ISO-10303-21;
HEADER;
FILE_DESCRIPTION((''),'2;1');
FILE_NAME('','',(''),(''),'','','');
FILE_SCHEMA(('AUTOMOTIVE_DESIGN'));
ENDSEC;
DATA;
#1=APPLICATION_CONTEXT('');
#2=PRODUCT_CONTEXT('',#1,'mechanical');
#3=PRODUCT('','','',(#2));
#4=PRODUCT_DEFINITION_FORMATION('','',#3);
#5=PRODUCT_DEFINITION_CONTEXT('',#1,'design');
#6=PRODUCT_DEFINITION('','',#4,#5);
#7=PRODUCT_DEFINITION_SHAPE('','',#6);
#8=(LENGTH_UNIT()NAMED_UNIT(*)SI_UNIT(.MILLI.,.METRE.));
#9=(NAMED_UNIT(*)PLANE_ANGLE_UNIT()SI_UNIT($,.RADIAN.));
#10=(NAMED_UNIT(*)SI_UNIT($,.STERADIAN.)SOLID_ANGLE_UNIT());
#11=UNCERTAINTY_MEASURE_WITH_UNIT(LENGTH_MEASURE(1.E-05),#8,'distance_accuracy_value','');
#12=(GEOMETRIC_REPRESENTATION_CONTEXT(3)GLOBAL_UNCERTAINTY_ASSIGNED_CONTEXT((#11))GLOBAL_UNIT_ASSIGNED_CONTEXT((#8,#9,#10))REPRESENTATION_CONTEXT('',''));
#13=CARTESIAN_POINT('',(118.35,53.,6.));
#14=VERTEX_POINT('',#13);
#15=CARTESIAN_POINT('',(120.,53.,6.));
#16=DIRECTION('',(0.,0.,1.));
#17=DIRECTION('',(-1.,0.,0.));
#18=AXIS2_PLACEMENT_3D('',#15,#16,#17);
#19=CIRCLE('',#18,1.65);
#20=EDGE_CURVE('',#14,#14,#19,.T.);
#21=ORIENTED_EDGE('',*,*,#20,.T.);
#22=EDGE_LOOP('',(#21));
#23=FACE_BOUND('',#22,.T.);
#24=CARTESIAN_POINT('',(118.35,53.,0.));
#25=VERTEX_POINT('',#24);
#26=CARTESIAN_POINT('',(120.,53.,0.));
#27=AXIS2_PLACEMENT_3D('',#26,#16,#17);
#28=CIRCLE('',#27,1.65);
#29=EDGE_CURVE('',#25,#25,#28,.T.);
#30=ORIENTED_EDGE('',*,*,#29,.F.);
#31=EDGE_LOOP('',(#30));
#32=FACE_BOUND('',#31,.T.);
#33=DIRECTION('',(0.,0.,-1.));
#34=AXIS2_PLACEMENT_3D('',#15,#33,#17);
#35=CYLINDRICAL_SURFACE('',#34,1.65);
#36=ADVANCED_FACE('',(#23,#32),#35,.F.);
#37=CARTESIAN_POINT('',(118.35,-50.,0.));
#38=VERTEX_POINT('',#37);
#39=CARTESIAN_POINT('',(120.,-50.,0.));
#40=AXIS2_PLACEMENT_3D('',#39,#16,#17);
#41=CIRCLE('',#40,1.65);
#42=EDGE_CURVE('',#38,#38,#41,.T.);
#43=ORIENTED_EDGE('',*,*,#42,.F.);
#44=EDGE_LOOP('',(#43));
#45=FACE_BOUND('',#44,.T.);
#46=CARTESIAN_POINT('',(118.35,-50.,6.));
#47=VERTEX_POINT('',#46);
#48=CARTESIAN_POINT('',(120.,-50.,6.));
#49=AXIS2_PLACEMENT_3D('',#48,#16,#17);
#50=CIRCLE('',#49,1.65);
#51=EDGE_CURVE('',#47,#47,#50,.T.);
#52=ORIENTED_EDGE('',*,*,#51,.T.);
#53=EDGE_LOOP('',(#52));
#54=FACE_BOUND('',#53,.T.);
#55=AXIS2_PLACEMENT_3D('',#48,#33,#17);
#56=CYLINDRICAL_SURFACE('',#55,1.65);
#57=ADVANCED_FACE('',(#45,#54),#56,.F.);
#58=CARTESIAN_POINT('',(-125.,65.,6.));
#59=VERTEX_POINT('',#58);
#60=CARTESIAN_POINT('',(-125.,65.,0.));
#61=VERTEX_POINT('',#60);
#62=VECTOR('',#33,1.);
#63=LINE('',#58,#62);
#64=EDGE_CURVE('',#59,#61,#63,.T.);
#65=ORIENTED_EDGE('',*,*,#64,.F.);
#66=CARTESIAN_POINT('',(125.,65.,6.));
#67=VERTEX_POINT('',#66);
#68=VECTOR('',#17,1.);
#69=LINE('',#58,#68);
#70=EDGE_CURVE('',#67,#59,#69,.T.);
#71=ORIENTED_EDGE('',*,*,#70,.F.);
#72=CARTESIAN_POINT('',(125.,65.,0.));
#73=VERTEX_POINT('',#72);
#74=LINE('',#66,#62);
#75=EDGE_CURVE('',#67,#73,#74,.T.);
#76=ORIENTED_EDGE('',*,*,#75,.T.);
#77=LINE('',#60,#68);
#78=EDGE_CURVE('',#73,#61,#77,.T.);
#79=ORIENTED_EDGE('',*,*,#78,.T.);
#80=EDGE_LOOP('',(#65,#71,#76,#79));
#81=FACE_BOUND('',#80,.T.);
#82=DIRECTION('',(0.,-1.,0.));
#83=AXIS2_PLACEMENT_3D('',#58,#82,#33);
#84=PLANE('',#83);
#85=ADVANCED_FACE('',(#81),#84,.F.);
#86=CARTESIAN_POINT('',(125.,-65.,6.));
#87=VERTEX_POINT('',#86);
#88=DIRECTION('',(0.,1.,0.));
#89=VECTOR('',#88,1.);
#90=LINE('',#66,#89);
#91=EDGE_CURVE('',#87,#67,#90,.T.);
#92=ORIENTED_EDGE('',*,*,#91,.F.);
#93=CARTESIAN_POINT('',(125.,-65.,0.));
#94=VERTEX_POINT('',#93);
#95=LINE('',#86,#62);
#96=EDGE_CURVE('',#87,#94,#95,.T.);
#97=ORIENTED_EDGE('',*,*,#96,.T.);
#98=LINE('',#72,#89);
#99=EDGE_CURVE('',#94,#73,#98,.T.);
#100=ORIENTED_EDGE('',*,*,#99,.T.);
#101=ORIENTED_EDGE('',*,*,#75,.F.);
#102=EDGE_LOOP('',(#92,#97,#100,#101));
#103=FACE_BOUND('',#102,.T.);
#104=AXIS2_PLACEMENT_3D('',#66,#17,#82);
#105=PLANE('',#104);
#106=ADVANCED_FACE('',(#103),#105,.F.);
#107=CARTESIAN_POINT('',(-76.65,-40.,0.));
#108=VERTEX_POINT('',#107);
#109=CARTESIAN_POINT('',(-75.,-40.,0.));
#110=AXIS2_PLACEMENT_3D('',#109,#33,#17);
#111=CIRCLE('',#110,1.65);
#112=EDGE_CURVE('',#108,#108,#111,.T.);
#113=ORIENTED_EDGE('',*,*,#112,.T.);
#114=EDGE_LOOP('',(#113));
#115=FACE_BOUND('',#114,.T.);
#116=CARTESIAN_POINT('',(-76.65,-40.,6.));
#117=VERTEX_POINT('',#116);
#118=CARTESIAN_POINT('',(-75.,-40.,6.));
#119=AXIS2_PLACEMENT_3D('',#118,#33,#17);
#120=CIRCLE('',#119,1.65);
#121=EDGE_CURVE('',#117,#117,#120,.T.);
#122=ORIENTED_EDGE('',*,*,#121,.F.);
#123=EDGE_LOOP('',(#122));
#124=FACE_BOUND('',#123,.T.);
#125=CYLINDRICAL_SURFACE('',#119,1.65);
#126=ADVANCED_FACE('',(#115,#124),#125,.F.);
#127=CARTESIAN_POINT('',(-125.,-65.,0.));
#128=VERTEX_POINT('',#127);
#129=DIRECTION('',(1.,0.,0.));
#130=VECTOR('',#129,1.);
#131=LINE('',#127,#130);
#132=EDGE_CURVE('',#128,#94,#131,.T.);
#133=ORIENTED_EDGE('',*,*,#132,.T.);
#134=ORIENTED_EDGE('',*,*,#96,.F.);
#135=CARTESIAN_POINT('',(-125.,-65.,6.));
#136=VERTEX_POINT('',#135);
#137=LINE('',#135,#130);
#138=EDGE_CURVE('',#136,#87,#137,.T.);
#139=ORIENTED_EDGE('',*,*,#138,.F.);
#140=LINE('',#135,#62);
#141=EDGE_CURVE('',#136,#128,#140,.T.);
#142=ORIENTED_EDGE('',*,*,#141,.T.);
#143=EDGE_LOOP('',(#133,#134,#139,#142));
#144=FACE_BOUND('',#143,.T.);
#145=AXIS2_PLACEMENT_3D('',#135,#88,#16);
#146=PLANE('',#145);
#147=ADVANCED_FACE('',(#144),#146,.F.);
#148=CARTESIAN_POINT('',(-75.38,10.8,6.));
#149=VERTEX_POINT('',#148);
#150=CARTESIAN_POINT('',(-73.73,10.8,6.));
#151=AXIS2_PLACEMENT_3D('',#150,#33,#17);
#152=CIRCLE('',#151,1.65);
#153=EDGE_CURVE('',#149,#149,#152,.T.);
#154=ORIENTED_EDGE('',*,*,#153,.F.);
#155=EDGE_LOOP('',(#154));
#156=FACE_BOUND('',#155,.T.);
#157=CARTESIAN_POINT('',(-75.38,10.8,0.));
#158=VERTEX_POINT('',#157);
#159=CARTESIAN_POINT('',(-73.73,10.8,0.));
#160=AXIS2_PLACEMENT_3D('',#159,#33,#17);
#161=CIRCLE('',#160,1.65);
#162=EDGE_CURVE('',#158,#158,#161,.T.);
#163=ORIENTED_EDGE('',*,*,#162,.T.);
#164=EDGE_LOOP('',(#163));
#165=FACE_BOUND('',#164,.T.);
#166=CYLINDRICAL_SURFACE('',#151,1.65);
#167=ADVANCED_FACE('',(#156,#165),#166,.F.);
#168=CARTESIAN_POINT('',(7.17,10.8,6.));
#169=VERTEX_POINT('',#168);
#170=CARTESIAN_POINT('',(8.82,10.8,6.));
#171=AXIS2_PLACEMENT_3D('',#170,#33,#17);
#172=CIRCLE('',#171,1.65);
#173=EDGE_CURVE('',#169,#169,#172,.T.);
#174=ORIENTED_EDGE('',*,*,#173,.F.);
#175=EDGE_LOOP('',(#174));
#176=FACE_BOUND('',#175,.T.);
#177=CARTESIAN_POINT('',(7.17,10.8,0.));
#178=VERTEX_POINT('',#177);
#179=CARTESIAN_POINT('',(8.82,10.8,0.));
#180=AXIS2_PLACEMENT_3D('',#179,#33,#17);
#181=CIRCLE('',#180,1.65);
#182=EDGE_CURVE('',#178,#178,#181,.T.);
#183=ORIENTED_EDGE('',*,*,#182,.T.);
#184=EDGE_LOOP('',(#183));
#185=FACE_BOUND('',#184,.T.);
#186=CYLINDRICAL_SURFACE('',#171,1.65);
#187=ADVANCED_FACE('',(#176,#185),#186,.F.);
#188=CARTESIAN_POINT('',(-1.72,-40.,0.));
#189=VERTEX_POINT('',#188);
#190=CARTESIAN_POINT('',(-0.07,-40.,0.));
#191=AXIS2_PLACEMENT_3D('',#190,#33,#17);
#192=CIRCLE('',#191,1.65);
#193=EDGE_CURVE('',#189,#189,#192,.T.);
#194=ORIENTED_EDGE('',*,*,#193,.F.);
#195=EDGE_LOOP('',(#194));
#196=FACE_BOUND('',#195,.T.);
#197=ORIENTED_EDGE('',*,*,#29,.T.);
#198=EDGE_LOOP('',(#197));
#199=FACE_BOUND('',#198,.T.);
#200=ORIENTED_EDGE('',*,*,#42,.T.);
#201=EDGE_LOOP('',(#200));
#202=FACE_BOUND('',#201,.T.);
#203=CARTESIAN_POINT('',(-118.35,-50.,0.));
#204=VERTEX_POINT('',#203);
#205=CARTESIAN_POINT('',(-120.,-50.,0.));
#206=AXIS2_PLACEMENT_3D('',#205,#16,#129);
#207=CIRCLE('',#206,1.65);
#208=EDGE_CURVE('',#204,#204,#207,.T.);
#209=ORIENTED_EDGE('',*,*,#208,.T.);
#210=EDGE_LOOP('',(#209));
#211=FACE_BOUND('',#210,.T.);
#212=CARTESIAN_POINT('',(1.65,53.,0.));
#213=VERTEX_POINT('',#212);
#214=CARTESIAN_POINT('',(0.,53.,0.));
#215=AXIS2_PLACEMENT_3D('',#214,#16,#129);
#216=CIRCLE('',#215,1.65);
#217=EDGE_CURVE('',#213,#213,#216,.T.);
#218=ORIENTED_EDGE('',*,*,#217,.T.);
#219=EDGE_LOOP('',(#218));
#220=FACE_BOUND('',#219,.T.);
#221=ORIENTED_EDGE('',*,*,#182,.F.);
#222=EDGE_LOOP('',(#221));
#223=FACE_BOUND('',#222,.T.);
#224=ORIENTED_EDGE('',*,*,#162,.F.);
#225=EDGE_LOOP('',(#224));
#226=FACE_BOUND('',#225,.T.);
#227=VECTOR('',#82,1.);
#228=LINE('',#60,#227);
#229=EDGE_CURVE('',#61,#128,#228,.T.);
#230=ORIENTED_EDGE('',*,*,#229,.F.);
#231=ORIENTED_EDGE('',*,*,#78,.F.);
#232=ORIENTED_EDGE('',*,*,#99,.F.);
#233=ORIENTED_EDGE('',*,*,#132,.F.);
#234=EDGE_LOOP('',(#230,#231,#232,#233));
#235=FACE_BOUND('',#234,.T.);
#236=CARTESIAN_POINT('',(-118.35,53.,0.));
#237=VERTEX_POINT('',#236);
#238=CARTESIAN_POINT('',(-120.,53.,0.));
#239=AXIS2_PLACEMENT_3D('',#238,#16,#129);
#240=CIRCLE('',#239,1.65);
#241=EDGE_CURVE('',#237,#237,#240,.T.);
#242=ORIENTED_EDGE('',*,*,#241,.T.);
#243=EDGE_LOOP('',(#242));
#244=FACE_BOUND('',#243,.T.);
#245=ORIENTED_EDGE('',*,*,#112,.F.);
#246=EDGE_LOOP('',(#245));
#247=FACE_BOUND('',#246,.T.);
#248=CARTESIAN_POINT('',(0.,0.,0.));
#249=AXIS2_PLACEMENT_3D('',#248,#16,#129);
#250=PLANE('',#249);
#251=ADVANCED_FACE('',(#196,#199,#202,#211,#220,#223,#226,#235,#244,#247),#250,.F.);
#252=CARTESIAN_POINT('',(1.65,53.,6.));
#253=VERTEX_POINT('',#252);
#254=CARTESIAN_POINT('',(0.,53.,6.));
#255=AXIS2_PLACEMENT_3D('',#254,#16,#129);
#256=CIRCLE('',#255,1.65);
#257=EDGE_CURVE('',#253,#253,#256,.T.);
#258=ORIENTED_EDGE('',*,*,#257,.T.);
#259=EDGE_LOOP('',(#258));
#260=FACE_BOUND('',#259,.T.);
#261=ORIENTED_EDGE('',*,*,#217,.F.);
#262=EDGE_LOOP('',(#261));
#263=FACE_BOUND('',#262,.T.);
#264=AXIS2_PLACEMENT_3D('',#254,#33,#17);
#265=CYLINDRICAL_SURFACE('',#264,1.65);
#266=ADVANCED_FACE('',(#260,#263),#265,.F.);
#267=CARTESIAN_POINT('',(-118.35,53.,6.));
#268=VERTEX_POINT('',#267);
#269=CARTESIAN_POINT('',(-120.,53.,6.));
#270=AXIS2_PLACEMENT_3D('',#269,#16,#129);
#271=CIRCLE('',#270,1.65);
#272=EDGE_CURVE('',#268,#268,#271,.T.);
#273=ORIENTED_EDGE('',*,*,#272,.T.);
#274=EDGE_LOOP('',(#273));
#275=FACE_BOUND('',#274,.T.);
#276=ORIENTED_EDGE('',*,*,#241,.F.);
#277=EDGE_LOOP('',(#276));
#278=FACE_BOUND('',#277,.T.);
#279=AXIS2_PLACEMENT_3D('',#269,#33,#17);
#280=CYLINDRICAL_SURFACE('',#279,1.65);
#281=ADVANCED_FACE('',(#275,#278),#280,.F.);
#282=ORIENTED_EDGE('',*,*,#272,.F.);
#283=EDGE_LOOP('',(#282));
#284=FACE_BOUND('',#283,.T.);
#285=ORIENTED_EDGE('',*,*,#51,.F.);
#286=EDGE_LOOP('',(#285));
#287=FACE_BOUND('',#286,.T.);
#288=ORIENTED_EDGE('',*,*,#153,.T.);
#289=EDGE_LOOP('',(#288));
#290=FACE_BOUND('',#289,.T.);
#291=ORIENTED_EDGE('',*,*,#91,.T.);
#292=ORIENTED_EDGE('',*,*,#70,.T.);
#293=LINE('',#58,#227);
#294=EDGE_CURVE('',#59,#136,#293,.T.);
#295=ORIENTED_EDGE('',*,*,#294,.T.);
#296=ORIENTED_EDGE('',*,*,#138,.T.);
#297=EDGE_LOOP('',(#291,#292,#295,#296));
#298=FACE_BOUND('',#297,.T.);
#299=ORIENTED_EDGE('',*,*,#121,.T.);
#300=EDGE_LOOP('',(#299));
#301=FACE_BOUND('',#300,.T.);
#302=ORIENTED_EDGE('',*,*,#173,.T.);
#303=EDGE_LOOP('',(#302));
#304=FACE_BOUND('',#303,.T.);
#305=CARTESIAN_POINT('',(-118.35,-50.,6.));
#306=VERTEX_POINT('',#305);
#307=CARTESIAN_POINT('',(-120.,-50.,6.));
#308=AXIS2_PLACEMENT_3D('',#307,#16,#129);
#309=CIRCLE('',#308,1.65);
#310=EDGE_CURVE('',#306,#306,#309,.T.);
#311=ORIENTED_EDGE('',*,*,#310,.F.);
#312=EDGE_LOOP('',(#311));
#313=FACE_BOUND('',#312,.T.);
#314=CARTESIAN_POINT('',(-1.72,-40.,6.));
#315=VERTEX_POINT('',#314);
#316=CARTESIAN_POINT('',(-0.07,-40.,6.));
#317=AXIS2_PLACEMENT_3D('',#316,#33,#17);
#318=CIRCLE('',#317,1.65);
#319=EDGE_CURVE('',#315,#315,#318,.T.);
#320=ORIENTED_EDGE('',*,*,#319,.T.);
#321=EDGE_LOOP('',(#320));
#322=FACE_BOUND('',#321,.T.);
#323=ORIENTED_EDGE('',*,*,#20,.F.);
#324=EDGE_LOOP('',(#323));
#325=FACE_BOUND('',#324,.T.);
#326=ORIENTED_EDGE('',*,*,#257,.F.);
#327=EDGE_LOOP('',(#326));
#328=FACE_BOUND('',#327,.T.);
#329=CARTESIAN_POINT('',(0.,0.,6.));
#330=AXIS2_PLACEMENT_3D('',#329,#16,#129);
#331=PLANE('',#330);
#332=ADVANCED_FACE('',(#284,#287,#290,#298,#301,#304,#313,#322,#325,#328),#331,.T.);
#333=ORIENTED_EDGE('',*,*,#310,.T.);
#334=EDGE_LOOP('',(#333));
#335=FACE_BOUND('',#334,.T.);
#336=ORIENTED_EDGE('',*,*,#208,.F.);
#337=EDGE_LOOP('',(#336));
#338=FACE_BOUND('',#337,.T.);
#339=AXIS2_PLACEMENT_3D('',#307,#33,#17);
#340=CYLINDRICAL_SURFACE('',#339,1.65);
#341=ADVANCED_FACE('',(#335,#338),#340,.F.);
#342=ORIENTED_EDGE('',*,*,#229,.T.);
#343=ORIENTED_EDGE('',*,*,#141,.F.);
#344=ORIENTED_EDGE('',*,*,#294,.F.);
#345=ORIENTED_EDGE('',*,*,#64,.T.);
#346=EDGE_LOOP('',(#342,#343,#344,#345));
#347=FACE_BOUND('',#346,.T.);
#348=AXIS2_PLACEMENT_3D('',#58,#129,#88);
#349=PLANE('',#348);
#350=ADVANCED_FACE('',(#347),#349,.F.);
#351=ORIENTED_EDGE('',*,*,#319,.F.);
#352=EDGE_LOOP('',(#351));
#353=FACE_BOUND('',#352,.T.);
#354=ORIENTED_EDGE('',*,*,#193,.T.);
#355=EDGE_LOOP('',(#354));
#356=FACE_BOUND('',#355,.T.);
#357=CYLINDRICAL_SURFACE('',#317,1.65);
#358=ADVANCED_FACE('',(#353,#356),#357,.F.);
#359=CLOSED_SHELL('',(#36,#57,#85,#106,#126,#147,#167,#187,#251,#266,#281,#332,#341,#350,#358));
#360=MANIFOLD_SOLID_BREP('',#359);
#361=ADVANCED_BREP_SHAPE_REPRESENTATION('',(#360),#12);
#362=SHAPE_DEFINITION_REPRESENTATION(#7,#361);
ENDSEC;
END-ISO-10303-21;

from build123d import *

# Parameters (mm, degrees)
ESBO_O1_W                = 250
ESBO_O1_H                = 130
ESBO_O1_R                = 1.65
RESSALTO_EXTRUS_O1_DEPTH = 6
ESBO_O2_R                = 1.65
CORTE_EXTRUS_O1_DEPTH    = 6


with BuildPart() as part:
    # Esboço1 → Ressalto-extrusão1 (new body)
    with BuildSketch(Plane.XY):
        Rectangle(ESBO_O1_W, ESBO_O1_H)
        with Locations((-120, 53)):
            Circle(ESBO_O1_R, mode=Mode.SUBTRACT)
        with Locations((-120, -50)):
            Circle(ESBO_O1_R, mode=Mode.SUBTRACT)
        with Locations((0, 53)):
            Circle(ESBO_O1_R, mode=Mode.SUBTRACT)
        with Locations((120, -50)):
            Circle(ESBO_O1_R, mode=Mode.SUBTRACT)
        with Locations((120, 53)):
            Circle(ESBO_O1_R, mode=Mode.SUBTRACT)
    extrude(amount=RESSALTO_EXTRUS_O1_DEPTH)

    # Esboço2 → Corte-extrusão1 (cut)
    with BuildSketch(Plane(origin=(0, 0, 0), x_dir=(-1, 0, 0), z_dir=(0, 0, -1))):
        with Locations((73.73, 10.8)):
            Circle(ESBO_O2_R)
        with Locations((75, -40)):
            Circle(ESBO_O2_R)
        with Locations((0.07, -40)):
            Circle(ESBO_O2_R)
        with Locations((-8.82, 10.8)):
            Circle(ESBO_O2_R)
    extrude(amount=-CORTE_EXTRUS_O1_DEPTH, mode=Mode.SUBTRACT)


solid = part.part
